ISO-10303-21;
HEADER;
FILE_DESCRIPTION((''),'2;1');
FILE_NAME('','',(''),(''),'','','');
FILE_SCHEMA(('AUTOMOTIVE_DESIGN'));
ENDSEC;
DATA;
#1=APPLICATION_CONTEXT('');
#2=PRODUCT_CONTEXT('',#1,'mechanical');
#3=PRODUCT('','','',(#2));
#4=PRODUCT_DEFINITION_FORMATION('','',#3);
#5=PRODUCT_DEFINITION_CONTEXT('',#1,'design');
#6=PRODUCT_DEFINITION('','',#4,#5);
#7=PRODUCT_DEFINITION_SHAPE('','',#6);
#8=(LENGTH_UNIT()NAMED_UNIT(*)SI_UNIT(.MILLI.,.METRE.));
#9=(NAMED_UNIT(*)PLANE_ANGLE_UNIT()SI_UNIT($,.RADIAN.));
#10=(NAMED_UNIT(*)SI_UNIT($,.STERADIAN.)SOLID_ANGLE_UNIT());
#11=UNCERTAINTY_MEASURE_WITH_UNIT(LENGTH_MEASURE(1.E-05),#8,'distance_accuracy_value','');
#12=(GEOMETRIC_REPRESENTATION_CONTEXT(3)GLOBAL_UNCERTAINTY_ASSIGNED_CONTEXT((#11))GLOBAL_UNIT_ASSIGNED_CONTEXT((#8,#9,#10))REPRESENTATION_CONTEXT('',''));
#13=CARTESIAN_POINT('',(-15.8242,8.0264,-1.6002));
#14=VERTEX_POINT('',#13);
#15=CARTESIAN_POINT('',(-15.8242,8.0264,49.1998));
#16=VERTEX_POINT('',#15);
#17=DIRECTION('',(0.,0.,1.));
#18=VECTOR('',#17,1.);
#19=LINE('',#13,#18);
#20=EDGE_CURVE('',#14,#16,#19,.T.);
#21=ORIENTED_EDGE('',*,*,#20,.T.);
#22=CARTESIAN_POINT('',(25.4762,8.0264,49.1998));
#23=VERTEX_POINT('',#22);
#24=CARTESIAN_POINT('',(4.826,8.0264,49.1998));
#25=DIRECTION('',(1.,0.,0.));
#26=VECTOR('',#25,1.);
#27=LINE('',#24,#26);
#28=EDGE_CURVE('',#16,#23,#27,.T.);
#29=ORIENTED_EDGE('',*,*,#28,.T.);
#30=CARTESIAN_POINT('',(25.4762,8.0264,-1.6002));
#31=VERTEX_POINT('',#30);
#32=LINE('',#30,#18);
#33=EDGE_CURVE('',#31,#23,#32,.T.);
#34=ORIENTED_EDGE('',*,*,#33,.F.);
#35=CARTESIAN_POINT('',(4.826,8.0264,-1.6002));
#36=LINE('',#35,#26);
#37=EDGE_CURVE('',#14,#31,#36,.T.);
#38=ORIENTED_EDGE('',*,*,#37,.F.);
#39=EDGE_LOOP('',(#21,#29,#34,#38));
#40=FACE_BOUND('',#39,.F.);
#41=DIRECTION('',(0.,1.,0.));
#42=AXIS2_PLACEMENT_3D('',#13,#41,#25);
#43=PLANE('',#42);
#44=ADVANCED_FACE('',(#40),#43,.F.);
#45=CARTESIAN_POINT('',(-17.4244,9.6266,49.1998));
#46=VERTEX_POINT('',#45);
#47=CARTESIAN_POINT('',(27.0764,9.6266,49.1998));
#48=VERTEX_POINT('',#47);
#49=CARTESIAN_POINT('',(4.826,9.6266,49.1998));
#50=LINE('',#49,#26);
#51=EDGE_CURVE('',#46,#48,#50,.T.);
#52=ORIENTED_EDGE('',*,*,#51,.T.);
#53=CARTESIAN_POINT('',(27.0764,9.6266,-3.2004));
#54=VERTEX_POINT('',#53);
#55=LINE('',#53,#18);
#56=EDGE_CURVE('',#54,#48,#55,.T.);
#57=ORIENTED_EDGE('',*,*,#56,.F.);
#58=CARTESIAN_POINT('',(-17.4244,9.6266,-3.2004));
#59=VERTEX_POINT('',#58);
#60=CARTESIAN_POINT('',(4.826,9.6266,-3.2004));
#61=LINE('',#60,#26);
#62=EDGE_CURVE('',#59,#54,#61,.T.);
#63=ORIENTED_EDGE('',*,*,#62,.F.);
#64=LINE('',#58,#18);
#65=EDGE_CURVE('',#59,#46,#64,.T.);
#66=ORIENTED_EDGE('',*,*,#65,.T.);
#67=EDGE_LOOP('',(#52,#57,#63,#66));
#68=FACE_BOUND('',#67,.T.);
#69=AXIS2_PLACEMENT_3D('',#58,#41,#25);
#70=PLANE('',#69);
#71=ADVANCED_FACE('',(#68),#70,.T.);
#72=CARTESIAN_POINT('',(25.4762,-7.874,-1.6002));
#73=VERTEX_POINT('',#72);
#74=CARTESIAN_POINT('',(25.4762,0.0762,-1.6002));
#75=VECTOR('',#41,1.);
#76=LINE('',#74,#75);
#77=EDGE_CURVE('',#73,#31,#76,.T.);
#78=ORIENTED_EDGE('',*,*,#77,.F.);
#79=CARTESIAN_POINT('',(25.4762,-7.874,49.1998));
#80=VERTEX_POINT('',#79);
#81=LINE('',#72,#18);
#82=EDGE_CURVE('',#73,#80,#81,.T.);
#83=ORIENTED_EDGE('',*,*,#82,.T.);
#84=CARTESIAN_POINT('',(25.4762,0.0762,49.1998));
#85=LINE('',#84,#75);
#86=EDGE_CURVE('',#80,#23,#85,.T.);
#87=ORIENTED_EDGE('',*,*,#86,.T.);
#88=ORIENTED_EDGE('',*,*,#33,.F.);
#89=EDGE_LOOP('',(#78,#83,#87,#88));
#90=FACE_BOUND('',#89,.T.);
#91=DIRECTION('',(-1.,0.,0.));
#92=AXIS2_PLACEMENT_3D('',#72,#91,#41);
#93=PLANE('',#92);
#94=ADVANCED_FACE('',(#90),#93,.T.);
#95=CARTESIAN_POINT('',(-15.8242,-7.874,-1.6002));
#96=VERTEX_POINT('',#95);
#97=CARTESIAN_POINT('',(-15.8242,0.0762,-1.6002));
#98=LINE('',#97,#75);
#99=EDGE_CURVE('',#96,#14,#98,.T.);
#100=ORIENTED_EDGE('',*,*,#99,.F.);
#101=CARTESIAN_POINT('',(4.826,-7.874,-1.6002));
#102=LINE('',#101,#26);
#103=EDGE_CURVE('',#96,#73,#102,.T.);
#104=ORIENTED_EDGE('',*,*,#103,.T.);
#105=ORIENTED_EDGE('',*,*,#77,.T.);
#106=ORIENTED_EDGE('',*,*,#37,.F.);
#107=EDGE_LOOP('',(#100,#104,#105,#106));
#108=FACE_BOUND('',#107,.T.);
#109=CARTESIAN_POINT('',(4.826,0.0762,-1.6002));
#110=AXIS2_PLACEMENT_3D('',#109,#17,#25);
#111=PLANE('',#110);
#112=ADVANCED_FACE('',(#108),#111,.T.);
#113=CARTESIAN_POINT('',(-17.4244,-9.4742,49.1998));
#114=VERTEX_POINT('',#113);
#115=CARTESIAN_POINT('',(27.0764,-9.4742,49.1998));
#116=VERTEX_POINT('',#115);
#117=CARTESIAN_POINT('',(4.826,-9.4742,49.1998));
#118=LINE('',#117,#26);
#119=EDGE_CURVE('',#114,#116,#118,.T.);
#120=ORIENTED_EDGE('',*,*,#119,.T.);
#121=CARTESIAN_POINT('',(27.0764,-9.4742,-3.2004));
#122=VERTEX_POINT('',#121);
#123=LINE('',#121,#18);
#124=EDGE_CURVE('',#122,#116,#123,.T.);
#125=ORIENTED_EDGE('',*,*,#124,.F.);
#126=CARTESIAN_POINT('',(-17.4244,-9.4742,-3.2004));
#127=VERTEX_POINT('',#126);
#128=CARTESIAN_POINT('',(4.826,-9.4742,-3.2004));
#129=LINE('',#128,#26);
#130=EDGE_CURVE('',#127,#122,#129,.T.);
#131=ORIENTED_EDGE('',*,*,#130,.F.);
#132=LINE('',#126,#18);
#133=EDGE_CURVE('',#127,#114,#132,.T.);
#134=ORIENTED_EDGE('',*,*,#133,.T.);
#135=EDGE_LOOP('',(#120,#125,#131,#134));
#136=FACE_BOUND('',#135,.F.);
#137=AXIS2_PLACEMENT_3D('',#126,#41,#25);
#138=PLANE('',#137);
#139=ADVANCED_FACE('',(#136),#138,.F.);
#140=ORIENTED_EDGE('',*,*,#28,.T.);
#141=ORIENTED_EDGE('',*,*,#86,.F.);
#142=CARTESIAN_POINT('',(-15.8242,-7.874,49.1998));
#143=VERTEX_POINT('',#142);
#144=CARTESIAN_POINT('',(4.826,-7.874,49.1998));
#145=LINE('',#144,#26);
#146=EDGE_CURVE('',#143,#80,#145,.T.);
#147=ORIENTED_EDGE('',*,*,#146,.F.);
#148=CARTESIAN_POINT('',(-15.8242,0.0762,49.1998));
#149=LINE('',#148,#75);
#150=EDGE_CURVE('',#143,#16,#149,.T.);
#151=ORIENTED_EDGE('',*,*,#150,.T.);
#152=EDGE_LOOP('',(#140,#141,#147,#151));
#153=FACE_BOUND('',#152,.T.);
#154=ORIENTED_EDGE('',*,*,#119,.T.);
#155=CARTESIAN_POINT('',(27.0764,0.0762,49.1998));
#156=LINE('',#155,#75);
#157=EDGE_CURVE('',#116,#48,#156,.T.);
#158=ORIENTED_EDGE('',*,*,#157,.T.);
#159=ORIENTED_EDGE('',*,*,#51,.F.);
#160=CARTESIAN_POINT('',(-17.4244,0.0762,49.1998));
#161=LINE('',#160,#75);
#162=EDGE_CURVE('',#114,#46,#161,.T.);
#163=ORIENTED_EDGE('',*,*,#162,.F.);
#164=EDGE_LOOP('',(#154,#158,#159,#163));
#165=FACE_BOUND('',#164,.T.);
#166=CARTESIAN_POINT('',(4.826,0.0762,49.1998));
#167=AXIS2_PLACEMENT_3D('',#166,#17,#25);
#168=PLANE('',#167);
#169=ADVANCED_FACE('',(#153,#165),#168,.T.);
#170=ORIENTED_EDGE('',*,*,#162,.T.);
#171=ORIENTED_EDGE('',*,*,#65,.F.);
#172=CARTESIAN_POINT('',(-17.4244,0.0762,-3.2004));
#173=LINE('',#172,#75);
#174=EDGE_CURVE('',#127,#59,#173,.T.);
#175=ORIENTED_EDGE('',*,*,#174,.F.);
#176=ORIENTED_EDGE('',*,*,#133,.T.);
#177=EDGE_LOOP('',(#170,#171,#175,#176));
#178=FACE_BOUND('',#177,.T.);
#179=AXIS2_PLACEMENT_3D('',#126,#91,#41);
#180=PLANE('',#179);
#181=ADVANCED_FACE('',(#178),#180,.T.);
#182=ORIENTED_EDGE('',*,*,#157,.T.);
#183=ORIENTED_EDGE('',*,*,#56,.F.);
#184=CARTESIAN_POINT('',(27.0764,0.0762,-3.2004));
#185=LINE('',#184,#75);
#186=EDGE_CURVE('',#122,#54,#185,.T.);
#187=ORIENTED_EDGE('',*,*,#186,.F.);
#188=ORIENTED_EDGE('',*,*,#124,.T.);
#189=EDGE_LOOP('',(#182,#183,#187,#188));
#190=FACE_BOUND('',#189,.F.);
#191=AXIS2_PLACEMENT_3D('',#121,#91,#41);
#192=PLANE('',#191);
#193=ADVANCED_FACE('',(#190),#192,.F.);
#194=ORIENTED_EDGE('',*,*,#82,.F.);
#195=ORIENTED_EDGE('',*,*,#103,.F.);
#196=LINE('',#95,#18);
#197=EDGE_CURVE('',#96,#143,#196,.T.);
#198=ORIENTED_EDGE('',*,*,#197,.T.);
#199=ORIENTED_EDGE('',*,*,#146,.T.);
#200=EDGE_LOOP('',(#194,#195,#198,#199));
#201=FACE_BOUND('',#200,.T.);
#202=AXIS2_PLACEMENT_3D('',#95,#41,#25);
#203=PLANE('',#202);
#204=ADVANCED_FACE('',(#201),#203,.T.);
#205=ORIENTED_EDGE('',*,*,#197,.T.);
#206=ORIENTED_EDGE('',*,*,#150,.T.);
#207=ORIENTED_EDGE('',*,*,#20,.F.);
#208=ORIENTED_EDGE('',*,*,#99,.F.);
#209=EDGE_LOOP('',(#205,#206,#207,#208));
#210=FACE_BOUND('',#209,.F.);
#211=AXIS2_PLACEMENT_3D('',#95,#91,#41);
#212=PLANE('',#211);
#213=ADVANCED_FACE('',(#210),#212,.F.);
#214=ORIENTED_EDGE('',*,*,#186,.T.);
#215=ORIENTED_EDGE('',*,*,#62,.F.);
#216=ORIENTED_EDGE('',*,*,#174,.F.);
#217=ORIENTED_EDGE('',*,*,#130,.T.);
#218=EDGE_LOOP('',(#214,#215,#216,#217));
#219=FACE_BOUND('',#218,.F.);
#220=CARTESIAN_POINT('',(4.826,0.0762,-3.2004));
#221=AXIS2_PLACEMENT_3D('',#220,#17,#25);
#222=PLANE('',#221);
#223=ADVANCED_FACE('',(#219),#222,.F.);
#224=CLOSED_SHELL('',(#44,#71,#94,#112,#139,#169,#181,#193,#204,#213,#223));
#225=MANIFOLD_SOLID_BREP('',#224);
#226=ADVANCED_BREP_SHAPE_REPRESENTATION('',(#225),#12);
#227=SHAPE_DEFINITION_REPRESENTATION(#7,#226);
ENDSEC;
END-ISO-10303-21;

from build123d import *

# Parameters (mm, degrees)
BOX008_W     = 41.3004
BOX008_H     = 15.9004
BOX008_DEPTH = 50.8
BOX007_W     = 44.5008
BOX007_H     = 19.1008
BOX007_DEPTH = 52.4002


with BuildPart() as cube008:
    # Box008 → Box008 (new body)
    with BuildSketch(Plane(origin=(-15.8242, -7.874, -1.6002), x_dir=(1, 0, 0), z_dir=(0, 0, 1))):
        with Locations((20.6502, 7.9502)):
            Rectangle(BOX008_W, BOX008_H)
    extrude(amount=BOX008_DEPTH)


with BuildPart() as cut003:
    # Box007 → Box007 (new body)
    with BuildSketch(Plane(origin=(-17.4244, -9.4742, -3.2004), x_dir=(1, 0, 0), z_dir=(0, 0, 1))):
        with Locations((22.2504, 9.5504)):
            Rectangle(BOX007_W, BOX007_H)
    extrude(amount=BOX007_DEPTH)

    # Cut003: cut Cube008
    add(cube008.part, mode=Mode.SUBTRACT)


solid = cut003.part
